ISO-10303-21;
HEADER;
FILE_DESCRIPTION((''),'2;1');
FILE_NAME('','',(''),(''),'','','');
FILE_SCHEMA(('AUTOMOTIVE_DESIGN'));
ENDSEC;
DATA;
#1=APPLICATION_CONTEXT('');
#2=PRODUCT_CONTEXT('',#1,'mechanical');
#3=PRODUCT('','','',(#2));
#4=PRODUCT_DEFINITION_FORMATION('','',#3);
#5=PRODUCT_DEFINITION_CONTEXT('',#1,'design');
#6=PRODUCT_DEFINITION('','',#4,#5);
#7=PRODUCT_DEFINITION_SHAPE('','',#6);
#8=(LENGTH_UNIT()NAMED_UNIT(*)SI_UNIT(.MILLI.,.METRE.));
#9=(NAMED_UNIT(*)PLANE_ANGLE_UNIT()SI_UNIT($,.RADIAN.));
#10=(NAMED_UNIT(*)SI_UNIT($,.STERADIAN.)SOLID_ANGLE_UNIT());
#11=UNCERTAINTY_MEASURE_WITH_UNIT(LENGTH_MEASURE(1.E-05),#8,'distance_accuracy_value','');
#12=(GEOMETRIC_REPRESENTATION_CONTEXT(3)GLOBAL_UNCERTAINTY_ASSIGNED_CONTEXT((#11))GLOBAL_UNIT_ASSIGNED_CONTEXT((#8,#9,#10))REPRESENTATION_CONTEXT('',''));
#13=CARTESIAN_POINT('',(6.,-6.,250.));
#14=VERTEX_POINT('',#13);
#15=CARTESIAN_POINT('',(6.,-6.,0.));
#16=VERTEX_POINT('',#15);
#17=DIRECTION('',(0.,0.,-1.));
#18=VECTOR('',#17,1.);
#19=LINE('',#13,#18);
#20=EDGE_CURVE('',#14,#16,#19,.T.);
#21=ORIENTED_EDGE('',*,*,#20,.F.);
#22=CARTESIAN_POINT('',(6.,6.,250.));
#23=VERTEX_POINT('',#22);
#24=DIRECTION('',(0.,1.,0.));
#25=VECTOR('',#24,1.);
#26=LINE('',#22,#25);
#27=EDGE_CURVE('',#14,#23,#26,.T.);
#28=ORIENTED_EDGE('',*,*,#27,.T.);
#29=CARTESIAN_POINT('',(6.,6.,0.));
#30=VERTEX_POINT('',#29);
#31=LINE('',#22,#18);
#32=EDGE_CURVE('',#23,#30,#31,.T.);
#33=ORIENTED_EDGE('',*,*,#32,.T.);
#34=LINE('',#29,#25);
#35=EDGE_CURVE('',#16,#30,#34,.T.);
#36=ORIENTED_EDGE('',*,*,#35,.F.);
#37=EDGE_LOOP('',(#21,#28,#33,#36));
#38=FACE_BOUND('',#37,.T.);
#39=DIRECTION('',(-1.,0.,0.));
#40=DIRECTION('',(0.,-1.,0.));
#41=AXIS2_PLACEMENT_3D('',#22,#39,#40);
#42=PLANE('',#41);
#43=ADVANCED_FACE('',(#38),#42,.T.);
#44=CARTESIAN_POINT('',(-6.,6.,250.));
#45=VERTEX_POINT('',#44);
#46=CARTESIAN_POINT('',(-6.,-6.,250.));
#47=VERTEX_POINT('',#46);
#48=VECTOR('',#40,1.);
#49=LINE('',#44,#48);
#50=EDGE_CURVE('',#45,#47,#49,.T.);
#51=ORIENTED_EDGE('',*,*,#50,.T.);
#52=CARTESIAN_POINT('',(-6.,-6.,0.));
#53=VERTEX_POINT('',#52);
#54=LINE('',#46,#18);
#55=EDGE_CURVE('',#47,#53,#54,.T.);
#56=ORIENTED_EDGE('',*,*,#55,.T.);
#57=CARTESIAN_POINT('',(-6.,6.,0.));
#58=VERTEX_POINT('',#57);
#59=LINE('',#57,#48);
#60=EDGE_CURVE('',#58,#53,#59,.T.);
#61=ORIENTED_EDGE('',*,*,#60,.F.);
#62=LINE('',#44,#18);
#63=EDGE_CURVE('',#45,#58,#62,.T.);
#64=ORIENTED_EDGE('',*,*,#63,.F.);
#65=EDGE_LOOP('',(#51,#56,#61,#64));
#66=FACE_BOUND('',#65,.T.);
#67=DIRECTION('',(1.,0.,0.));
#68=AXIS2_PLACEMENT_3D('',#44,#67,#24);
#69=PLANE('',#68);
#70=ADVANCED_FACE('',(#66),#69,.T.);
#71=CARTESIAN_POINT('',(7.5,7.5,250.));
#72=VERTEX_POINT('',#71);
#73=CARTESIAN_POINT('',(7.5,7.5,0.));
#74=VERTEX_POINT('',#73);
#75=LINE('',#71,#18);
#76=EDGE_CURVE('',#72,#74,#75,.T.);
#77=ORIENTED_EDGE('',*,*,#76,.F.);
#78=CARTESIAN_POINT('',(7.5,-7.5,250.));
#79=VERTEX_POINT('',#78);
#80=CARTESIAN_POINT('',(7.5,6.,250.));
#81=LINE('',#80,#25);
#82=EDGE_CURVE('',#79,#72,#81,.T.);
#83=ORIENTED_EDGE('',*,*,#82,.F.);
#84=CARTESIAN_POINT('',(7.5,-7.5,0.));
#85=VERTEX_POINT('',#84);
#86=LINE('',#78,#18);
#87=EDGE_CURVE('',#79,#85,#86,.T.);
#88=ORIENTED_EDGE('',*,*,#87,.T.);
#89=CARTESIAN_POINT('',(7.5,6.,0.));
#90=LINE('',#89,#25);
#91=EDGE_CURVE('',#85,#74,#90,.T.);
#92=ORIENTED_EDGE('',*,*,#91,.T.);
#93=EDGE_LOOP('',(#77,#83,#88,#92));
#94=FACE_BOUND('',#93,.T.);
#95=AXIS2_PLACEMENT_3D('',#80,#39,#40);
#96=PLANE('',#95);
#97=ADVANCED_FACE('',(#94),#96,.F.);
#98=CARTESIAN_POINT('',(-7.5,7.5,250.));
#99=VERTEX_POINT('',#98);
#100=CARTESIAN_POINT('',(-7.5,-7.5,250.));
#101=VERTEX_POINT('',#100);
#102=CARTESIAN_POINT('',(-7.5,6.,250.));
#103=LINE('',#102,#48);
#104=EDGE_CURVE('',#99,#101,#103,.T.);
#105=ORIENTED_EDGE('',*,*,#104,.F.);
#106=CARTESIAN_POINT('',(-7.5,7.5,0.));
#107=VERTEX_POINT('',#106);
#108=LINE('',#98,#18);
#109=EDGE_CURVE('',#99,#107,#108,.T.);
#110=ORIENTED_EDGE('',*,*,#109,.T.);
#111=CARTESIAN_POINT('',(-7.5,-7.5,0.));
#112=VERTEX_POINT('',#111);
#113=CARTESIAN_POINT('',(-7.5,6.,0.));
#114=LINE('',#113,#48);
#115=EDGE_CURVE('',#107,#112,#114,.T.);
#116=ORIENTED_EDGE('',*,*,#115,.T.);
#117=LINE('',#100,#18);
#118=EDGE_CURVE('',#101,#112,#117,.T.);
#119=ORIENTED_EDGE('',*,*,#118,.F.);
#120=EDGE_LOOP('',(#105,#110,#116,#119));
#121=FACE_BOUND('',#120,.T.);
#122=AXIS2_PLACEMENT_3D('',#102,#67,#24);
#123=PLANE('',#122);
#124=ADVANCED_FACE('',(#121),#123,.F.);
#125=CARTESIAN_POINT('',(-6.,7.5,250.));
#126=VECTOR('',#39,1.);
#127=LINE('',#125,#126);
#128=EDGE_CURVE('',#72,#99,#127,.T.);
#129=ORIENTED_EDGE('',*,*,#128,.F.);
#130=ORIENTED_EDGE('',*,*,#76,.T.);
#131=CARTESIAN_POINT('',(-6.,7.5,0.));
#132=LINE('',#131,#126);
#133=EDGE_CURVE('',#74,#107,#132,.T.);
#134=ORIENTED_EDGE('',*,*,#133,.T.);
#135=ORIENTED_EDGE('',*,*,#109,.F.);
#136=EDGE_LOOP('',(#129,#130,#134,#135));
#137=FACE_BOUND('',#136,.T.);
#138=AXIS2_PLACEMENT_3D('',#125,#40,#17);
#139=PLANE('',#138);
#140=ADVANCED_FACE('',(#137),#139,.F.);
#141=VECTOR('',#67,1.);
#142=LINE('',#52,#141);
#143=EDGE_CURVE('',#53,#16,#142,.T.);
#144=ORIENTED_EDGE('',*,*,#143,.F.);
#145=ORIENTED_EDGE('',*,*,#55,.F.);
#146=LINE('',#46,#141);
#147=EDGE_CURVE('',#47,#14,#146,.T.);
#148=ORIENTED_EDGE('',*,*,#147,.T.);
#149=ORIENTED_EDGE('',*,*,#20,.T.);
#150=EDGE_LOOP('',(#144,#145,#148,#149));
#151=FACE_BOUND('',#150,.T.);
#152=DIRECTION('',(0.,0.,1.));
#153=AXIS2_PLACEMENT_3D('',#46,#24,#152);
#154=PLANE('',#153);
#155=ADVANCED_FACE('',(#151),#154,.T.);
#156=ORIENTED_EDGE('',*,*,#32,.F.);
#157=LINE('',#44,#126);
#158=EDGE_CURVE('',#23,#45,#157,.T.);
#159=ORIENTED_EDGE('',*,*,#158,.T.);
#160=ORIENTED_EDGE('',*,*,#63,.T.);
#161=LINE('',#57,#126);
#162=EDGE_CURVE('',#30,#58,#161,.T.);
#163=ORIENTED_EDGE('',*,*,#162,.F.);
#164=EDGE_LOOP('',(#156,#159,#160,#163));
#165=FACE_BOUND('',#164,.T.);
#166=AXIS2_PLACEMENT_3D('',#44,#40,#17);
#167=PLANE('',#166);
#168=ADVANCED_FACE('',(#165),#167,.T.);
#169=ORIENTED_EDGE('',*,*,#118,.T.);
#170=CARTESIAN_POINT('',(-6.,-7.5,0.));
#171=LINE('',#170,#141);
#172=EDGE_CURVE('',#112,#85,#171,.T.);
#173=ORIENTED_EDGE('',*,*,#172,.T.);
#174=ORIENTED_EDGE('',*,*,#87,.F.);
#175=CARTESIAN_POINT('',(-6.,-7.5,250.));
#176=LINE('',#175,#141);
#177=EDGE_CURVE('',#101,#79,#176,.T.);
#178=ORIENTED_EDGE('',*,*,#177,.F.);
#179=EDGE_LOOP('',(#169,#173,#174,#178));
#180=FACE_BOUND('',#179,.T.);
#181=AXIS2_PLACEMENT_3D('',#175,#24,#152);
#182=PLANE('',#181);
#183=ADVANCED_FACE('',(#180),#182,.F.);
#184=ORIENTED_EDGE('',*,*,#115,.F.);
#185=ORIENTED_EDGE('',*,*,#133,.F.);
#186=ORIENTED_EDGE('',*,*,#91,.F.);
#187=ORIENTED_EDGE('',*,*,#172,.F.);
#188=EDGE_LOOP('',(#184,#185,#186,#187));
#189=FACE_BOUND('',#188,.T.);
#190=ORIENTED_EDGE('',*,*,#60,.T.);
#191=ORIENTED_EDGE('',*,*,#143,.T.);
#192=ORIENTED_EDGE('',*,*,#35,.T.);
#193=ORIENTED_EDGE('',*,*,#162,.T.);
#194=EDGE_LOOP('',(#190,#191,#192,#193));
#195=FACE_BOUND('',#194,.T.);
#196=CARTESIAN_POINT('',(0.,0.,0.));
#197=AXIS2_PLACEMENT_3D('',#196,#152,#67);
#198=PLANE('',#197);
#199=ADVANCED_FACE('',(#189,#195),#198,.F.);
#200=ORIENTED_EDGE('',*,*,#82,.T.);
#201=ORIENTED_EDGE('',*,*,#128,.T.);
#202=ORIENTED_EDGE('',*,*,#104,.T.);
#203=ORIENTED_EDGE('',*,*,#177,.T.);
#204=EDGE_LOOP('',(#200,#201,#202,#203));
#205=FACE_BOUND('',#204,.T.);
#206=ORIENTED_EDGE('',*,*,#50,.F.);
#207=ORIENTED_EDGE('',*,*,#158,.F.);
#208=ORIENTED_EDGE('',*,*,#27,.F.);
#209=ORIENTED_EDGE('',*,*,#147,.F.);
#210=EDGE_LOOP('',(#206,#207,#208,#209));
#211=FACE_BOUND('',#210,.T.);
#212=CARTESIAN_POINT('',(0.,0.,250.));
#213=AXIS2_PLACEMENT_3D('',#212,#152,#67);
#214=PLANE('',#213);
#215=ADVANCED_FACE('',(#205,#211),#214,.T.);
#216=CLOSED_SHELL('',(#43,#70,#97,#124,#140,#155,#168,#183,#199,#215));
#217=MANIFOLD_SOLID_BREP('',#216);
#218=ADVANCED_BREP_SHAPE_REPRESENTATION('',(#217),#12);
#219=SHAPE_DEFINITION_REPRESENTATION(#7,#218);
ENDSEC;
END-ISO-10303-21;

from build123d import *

# Parameters (mm, degrees)
SKETCH_1_W      = 15
SKETCH_1_H      = 15
SKETCH_1_W_2    = 12
SKETCH_1_H_2    = 12
EXTRUDE_1_DEPTH = 250


with BuildPart() as part:
    # 草图1 → 拉伸-薄壁1 (new body)
    with BuildSketch(Plane.XY):
        Rectangle(SKETCH_1_W, SKETCH_1_H)
        Rectangle(SKETCH_1_W_2, SKETCH_1_H_2, mode=Mode.SUBTRACT)
    extrude(amount=EXTRUDE_1_DEPTH)


solid = part.part
